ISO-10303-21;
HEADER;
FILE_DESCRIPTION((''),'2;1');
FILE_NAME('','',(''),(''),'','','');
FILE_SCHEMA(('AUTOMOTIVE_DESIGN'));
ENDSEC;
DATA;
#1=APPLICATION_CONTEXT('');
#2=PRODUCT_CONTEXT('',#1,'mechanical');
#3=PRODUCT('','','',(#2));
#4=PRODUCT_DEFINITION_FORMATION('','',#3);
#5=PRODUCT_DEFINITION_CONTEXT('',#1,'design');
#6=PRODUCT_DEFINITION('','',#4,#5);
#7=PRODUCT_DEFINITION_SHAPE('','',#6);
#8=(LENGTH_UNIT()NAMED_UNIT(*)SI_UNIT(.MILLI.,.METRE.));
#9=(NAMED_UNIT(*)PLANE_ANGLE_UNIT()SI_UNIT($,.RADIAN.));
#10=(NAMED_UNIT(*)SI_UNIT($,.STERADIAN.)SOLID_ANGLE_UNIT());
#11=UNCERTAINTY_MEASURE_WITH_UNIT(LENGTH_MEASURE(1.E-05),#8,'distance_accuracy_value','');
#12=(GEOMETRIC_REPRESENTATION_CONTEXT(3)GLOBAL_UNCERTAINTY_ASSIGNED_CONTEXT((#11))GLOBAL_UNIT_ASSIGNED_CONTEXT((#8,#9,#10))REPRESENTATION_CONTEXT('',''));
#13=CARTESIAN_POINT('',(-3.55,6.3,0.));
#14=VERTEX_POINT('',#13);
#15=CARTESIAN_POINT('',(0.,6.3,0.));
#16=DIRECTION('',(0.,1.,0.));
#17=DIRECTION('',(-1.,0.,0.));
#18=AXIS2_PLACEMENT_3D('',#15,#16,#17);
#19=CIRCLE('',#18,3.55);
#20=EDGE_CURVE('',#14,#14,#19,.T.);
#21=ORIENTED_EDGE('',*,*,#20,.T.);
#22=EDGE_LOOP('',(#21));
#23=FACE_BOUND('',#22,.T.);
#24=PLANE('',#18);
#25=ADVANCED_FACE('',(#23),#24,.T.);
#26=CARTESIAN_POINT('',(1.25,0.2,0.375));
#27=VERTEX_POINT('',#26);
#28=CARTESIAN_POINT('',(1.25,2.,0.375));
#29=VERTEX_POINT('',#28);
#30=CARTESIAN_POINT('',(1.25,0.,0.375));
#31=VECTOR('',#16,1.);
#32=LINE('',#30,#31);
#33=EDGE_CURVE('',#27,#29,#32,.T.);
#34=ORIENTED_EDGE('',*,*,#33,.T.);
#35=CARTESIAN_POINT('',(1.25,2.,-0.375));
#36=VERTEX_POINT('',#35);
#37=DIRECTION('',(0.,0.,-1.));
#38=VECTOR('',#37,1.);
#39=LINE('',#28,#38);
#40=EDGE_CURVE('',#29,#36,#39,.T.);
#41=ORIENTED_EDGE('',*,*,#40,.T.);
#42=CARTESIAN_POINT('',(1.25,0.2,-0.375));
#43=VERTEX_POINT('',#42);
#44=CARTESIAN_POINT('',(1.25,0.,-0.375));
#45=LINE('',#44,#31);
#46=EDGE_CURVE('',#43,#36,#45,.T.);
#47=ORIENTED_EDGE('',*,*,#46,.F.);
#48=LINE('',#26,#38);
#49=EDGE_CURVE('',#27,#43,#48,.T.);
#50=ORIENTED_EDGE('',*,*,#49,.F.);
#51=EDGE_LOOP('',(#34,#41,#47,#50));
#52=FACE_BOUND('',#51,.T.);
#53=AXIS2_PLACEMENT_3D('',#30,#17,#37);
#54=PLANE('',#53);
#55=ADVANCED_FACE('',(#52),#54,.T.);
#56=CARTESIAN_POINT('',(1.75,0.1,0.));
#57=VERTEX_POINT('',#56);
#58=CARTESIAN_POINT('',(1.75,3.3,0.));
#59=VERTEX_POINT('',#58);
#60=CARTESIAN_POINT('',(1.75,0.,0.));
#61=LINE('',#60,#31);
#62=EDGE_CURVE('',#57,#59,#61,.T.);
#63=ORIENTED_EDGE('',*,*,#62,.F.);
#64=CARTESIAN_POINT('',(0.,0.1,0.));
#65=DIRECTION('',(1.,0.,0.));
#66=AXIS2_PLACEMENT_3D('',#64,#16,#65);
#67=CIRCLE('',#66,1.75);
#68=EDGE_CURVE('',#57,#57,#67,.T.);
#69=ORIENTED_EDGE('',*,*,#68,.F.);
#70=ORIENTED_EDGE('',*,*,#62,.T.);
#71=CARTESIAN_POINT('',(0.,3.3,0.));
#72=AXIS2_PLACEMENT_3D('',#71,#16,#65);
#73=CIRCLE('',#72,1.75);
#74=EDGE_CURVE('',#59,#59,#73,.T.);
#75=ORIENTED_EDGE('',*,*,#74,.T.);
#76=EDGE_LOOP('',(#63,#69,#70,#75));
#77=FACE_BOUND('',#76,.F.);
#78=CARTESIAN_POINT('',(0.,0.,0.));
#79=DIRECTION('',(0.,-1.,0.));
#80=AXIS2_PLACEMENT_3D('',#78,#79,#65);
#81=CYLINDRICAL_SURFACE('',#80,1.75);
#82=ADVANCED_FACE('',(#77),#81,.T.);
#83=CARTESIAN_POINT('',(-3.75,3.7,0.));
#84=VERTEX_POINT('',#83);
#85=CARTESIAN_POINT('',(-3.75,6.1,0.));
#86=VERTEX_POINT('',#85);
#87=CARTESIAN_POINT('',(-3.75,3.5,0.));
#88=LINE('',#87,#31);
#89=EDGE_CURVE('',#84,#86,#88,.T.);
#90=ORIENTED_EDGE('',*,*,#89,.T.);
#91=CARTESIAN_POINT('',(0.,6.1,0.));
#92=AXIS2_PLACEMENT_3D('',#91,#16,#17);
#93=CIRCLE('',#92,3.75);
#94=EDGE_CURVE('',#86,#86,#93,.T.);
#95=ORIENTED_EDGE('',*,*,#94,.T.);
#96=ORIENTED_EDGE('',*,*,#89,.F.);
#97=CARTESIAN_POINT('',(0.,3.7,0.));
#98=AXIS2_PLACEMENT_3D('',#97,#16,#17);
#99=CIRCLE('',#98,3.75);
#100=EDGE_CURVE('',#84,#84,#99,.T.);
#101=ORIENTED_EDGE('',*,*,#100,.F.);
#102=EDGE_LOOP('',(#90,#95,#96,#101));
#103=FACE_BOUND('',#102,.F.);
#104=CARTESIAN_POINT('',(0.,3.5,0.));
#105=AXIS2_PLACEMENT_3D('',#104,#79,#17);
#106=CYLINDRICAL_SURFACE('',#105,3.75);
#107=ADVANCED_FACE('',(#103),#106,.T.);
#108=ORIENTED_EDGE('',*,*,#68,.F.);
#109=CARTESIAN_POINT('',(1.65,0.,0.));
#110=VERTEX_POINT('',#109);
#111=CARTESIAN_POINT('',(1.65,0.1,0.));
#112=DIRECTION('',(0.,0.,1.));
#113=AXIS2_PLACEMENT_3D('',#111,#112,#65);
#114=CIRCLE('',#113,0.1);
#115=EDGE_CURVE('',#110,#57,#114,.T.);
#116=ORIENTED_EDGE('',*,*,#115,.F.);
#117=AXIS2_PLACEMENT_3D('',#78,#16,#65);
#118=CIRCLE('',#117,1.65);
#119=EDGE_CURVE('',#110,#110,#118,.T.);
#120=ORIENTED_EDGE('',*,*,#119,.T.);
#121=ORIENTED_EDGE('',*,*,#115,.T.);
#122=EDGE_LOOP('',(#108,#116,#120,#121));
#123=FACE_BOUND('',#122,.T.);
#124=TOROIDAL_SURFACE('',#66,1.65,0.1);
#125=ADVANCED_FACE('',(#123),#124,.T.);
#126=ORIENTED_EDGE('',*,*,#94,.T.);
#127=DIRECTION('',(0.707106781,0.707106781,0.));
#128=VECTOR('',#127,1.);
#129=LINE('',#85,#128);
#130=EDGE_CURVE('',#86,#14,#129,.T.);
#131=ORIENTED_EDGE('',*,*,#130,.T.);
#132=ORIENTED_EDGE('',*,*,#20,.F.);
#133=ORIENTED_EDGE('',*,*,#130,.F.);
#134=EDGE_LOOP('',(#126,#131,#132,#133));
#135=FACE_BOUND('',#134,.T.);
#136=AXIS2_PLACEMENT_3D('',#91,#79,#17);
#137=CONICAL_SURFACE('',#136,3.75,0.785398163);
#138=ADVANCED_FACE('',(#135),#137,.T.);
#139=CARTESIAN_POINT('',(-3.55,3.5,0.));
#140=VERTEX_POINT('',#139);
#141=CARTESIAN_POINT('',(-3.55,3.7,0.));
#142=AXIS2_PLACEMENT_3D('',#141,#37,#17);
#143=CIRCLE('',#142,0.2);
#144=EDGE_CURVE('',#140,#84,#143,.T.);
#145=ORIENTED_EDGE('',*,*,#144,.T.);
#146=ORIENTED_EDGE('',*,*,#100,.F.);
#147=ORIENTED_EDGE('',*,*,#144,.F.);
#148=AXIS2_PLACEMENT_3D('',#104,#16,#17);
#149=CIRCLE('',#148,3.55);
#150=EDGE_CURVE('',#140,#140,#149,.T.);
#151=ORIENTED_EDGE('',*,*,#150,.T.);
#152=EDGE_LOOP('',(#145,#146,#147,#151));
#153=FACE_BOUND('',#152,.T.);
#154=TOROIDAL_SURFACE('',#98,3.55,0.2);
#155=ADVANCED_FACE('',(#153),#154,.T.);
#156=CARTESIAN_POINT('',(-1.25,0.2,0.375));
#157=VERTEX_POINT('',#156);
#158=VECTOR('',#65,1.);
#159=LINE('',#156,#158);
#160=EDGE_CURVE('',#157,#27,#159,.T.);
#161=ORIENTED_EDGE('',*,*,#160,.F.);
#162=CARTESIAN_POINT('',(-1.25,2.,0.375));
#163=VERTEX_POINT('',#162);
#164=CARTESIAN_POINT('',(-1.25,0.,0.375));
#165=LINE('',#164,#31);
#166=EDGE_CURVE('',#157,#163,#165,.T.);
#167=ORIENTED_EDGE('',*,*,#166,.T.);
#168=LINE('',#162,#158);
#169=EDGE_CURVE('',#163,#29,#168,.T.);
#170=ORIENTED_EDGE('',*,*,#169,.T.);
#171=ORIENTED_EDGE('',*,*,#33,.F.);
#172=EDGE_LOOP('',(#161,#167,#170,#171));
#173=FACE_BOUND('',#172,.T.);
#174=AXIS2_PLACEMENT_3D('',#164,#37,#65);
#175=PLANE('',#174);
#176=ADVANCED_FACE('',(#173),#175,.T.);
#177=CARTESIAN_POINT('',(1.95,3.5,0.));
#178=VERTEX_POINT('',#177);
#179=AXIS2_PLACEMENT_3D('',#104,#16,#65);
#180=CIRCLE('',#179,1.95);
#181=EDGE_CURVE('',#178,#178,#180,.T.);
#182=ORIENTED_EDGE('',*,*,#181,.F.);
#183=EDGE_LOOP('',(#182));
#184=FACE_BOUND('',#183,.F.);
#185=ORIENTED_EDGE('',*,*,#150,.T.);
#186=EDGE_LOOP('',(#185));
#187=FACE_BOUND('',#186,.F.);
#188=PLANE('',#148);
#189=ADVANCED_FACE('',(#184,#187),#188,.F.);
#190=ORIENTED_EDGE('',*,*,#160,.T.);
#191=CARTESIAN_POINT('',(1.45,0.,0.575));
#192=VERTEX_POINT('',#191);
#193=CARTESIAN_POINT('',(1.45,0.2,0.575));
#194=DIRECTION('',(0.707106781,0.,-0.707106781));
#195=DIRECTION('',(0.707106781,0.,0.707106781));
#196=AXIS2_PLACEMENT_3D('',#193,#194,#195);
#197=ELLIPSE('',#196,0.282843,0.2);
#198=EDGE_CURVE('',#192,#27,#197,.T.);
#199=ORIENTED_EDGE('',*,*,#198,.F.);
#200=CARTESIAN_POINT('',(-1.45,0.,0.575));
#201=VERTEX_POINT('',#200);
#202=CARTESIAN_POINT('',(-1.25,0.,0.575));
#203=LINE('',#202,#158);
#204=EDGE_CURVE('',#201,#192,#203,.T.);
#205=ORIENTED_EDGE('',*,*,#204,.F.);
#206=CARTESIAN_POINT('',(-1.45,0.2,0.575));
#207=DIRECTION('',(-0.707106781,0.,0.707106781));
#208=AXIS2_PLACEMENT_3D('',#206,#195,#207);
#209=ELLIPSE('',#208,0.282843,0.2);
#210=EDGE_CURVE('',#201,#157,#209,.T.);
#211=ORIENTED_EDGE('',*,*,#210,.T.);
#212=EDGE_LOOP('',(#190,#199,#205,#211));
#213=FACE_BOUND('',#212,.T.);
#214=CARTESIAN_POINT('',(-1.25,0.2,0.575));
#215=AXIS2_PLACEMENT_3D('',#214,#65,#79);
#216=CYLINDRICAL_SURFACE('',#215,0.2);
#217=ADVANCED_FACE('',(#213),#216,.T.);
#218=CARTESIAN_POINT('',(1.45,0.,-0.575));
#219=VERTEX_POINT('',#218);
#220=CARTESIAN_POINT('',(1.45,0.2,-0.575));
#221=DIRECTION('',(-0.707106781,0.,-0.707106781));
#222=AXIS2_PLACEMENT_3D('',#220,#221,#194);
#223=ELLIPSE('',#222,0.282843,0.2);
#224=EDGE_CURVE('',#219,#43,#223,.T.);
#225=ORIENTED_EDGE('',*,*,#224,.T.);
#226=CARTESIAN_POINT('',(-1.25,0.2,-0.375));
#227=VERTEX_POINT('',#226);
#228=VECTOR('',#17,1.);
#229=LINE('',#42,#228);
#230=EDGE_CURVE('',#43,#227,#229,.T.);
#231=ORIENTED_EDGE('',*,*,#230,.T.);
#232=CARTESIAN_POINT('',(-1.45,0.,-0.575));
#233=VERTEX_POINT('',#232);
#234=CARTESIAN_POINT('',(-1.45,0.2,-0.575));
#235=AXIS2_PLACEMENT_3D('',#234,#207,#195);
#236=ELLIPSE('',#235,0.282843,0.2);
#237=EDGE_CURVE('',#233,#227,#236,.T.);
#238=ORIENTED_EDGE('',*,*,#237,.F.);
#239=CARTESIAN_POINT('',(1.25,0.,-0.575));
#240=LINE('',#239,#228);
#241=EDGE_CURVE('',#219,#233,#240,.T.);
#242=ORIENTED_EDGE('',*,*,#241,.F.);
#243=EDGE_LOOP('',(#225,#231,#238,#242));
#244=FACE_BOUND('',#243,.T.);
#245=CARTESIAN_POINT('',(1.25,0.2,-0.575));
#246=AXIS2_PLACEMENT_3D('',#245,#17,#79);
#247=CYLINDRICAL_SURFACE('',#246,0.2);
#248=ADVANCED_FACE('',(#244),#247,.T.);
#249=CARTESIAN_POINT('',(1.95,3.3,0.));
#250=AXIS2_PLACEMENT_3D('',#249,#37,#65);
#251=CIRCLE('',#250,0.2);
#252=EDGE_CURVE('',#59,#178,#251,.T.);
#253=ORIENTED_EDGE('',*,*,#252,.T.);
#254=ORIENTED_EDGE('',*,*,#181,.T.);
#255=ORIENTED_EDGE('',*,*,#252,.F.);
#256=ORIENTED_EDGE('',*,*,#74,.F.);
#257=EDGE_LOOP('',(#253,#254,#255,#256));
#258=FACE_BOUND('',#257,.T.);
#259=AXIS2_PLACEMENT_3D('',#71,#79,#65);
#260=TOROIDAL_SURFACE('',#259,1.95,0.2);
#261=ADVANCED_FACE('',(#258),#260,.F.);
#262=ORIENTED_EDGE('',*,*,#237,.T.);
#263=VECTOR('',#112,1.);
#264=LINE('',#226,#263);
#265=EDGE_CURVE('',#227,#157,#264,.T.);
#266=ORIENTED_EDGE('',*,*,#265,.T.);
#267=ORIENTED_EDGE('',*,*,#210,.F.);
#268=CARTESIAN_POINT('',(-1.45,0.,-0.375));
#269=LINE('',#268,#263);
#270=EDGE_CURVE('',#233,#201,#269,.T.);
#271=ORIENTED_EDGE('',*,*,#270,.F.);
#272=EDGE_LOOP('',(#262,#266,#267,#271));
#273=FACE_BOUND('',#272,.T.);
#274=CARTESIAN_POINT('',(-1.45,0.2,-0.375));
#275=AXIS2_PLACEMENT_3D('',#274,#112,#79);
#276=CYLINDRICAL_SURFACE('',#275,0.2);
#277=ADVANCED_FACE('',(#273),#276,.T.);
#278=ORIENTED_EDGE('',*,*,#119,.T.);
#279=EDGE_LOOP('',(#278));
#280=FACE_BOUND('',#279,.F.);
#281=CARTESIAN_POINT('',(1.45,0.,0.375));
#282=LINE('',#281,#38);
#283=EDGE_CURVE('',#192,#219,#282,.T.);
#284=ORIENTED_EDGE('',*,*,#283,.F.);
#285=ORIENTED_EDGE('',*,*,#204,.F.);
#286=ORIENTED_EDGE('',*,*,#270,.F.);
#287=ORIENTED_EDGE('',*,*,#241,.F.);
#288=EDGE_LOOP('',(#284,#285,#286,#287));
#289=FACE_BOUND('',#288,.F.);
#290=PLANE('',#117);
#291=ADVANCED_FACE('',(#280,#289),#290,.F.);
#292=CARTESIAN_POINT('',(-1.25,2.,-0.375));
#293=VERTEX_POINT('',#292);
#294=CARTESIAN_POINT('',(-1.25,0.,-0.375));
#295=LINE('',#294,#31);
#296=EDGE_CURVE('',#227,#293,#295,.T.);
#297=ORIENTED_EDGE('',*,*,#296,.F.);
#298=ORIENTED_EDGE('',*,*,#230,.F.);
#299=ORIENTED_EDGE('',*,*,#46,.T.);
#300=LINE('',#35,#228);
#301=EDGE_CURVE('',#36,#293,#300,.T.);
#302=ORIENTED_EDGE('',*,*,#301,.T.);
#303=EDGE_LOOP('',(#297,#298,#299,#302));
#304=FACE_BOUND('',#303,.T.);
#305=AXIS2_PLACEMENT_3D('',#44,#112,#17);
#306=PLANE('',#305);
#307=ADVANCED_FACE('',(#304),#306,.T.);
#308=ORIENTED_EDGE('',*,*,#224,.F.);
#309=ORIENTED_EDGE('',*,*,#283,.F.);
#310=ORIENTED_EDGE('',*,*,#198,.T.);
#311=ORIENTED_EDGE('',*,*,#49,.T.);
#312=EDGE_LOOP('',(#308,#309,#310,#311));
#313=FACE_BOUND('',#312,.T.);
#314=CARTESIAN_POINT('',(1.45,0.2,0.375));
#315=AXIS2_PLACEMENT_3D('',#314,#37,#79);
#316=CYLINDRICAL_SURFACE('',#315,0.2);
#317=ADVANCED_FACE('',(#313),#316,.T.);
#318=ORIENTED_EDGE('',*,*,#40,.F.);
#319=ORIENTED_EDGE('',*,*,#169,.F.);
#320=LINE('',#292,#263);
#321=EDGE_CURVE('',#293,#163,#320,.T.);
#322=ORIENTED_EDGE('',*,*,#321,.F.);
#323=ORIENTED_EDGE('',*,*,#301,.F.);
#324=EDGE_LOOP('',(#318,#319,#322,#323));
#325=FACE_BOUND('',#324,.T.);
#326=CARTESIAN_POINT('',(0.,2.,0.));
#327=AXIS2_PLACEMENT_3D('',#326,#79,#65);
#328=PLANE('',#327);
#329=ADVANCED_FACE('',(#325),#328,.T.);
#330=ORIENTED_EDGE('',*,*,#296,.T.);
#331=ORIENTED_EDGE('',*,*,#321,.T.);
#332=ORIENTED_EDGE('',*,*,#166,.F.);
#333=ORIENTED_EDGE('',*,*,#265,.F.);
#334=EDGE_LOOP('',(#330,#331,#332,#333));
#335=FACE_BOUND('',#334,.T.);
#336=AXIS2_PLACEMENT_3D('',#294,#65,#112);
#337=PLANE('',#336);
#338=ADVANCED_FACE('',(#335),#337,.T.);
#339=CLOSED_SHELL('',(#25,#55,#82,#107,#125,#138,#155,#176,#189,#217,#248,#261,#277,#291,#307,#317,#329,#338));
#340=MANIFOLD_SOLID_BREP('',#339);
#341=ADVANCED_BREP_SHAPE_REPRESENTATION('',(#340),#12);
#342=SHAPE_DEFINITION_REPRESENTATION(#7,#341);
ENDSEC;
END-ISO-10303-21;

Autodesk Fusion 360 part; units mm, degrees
sketch "Sketch1" plane through (0, 0, 0) normal (0, 1, 0) x (1, 0, 0)
  circle A0 centre (0, 0) radius 1.75
  dimension "d135" = 3.5
extrude "Extrude1" add sketch "Sketch1" along normal blind 3.5
sketch "Sketch2" plane through (0, 3.5, 0) normal (0, 1, 0) x (-1, 0, 0)
  circle A0 centre (0, 0) radius 1.75
  circle A1 centre (0, 0) radius 3.75
  dimension "d138" = 7.5
extrude "Extrude2" add sketch "Sketch2" along normal blind 2.8 contours A0 | A1
sketch "Sketch3" plane through (0, 0, 0) normal (0, -1, 0) x (1, 0, 0)
  circle A0 centre (0, 0) radius 1.75
  line L0 (1.25, -0.375) -> (-1.25, -0.375)
  line L1 (-1.25, -0.375) -> (-1.25, 0.375)
  line L2 (-1.25, 0.375) -> (1.25, 0.375)
  line L3 (1.25, 0.375) -> (1.25, -0.375)
  line L4 (1.25, -0.375) -> (-1.25, 0.375) construction
  line L5 (-1.25, -0.375) -> (1.25, 0.375) construction
  dimension "d141" = 2.5
  dimension "d142" = 0.75
extrude "Extrude3" cut sketch "Sketch3" against normal blind 2 contours L0 L1 L2 L3
fillet "Fillet1" radius 0.2 4 edges at (-1.25, 0, 0) (0, 0, 0.375) (1.25, 0, 0) (0, 0, -0.375)
fillet "Fillet2" radius 0.1 1 edges at (-1.6316, 0, 0.6328)
fillet "Fillet3" radius 0.2 1 edges at (-1.6316, 3.5, 0.6328)
fillet "Fillet4" radius 0.2 1 edges at (3.4962, 3.5, -1.3561)
chamfer "Chamfer1" distance 0.2 angle 45 1 edges at (3.4962, 6.3, -1.3561)
equation "d135 = Shaft_Dia"
equation "d136 = Shaft_Length"
equation "d138 = Head_Dia"
equation "d139 = Head_Thk"
equation "d141 = Slot_Length"
equation "d142 = Slot_Width"
equation "d143 = -Slot_Depth"
equation "Head_Dia = 7.5 mm"
equation "Shaft_Dia = 3.5 mm"
equation "Head_Thk = 2.8 mm"
equation "Shaft_Length = 3.5 mm"
equation "Slot_Depth = 2 mm"
equation "Slot_Width = 0.75 mm"
equation "Slot_Length = 2.5 mm"
